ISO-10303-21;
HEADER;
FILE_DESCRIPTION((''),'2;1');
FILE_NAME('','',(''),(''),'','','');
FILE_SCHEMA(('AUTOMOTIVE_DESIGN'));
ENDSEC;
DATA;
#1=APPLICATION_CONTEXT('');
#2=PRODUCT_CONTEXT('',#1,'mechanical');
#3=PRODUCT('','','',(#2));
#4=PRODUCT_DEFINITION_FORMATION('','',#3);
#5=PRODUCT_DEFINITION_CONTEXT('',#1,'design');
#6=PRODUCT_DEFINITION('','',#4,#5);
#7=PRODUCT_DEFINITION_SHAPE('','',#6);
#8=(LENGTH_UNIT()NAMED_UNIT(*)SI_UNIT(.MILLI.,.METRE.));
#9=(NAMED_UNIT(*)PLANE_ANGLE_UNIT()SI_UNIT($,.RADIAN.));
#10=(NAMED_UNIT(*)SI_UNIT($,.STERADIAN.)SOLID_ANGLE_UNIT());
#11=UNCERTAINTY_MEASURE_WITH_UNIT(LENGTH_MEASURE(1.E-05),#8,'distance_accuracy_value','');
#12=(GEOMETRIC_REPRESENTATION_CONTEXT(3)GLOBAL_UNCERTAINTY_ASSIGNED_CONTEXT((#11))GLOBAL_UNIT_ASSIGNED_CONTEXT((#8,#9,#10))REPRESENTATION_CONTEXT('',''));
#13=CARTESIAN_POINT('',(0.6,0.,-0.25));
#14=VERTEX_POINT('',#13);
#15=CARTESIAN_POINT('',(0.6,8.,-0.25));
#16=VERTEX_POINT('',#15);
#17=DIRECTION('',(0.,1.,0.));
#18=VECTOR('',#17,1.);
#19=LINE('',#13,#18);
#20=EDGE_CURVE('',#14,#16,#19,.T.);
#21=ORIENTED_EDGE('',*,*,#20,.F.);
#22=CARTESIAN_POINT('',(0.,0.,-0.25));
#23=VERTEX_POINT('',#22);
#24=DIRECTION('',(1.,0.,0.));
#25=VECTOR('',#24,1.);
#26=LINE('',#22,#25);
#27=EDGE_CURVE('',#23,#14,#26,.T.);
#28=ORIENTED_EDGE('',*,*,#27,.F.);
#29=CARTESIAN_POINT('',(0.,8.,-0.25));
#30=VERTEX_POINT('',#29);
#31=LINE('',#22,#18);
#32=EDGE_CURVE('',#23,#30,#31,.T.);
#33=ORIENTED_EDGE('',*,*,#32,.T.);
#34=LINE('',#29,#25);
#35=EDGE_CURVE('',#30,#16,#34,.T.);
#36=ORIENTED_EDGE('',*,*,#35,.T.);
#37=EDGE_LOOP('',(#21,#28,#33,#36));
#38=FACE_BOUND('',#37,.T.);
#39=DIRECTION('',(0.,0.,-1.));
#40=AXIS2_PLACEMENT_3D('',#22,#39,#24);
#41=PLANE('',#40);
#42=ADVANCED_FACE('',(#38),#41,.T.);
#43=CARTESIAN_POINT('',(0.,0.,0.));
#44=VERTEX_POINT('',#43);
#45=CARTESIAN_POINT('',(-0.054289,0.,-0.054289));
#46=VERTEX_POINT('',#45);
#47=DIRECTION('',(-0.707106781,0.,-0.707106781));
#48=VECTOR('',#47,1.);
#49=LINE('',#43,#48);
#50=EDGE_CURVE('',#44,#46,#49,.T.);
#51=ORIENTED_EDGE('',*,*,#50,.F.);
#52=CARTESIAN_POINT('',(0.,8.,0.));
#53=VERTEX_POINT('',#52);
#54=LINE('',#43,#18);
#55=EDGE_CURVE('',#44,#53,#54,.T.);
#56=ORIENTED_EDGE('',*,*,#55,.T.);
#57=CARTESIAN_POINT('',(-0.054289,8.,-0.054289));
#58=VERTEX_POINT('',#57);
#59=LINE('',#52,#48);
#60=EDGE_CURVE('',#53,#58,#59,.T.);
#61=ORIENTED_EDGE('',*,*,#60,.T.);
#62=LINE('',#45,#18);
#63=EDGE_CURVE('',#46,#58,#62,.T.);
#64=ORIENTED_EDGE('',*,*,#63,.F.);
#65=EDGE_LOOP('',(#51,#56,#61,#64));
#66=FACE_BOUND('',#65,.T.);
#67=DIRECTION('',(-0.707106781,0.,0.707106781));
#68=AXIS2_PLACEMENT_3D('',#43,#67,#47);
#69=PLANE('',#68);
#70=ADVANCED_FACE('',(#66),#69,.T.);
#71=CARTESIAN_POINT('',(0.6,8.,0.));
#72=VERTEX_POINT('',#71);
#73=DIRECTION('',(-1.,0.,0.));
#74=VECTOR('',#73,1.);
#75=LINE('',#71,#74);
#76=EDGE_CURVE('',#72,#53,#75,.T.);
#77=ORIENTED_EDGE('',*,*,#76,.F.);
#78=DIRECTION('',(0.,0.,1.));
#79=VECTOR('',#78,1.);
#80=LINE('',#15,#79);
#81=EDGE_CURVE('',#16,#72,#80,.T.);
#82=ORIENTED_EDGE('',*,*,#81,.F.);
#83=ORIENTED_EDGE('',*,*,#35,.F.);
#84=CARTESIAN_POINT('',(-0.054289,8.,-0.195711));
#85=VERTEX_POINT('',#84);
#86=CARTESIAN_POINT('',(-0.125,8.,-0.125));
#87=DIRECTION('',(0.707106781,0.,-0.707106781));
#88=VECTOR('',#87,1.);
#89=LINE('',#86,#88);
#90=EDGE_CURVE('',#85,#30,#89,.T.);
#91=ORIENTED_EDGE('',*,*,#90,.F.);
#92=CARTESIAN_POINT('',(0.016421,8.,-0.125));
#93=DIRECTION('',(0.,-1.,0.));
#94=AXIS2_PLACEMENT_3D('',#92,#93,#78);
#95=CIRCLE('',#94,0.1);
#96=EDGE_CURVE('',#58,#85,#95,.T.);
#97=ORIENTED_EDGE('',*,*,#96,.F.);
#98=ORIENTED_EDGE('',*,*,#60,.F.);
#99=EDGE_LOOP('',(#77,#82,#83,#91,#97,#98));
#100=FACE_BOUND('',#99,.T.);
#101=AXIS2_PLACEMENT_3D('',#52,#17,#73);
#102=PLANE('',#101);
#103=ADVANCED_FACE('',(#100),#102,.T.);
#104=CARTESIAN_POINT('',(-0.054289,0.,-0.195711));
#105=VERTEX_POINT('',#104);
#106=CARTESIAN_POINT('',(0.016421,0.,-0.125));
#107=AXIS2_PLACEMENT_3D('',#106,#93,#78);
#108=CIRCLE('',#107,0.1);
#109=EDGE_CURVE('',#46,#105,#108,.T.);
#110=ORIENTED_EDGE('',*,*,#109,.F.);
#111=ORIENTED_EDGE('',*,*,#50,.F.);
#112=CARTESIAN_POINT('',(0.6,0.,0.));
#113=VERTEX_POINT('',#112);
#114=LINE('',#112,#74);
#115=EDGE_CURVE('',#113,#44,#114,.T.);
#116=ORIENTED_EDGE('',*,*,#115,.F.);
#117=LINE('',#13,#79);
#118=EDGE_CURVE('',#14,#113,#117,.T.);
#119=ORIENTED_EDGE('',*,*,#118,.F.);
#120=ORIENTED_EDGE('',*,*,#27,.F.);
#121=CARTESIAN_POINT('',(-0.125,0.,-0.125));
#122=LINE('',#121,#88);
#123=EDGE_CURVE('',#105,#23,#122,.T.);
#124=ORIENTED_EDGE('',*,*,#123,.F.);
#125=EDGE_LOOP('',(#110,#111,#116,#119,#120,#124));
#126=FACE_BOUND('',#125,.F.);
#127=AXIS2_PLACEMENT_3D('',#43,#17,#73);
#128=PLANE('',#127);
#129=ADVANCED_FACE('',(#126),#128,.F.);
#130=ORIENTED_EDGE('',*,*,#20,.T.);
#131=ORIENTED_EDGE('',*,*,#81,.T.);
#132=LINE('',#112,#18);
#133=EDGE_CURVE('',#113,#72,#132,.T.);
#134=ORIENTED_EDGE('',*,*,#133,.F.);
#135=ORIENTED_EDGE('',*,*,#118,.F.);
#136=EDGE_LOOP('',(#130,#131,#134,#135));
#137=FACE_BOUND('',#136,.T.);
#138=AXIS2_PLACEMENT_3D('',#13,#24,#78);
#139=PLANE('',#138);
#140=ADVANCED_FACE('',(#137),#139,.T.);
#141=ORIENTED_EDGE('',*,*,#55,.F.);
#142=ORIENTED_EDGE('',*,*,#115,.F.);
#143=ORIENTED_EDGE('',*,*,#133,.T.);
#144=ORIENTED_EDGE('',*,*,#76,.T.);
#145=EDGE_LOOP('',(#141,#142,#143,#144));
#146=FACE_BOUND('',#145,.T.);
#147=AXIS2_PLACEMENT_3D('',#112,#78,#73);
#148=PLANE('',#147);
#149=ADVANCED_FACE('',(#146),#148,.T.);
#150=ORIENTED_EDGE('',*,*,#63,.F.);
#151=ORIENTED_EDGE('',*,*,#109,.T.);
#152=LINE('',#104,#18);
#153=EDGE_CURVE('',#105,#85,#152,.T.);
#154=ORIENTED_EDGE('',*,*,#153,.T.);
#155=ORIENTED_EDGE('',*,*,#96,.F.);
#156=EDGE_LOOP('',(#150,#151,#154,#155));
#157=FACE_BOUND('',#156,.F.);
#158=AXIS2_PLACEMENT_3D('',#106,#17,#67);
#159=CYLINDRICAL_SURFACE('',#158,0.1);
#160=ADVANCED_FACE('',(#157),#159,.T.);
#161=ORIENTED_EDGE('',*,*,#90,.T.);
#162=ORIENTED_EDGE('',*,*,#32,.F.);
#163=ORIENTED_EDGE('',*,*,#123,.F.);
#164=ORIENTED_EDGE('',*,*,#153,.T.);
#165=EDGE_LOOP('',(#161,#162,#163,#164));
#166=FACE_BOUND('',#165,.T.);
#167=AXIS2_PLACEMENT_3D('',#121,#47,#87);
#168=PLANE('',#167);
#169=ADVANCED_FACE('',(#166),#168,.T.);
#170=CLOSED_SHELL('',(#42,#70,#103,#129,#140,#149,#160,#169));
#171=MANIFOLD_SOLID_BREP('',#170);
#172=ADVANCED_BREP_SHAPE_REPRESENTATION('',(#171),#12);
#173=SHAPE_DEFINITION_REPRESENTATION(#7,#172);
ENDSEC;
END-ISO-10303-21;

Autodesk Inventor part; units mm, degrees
ref_plane "YZ Plane" through (0, 0, 0) normal (1, 0, 0) x (0, 1, 0)
ref_plane "XZ Plane" through (0, 0, 0) normal (0, 1, 0) x (-1, 0, 0)
ref_plane "XY Plane" through (0, 0, 0) normal (0, 0, 1) x (1, 0, 0)
sketch "草圖1" plane through (0, 0, 0) normal (0, 1, 0) x (-1, 0, 0)
  line L0 (0, 0) -> (0, -0.25)
  line L1 (0, 0) -> (0, -0.25)
  line L2 (0, -0.25) -> (-0.6, -0.25)
  line L3 (-0.6, -0.25) -> (-0.6, 0)
  line L4 (-0.6, 0) -> (0, 0)
  line L5 (0, 0) -> (0.125, -0.125)
  line L6 (0.125, -0.125) -> (0, -0.25)
  dimension "d0" = 0.25
  dimension "d1" = 0.6
  dimension "d2" = 45
extrude "擠出1" add sketch "草圖1" along normal blind 8
fillet "圓角1" radius 0.1 1 edges at (-0.125, 4, -0.125)
properties part number "窗側柱"
